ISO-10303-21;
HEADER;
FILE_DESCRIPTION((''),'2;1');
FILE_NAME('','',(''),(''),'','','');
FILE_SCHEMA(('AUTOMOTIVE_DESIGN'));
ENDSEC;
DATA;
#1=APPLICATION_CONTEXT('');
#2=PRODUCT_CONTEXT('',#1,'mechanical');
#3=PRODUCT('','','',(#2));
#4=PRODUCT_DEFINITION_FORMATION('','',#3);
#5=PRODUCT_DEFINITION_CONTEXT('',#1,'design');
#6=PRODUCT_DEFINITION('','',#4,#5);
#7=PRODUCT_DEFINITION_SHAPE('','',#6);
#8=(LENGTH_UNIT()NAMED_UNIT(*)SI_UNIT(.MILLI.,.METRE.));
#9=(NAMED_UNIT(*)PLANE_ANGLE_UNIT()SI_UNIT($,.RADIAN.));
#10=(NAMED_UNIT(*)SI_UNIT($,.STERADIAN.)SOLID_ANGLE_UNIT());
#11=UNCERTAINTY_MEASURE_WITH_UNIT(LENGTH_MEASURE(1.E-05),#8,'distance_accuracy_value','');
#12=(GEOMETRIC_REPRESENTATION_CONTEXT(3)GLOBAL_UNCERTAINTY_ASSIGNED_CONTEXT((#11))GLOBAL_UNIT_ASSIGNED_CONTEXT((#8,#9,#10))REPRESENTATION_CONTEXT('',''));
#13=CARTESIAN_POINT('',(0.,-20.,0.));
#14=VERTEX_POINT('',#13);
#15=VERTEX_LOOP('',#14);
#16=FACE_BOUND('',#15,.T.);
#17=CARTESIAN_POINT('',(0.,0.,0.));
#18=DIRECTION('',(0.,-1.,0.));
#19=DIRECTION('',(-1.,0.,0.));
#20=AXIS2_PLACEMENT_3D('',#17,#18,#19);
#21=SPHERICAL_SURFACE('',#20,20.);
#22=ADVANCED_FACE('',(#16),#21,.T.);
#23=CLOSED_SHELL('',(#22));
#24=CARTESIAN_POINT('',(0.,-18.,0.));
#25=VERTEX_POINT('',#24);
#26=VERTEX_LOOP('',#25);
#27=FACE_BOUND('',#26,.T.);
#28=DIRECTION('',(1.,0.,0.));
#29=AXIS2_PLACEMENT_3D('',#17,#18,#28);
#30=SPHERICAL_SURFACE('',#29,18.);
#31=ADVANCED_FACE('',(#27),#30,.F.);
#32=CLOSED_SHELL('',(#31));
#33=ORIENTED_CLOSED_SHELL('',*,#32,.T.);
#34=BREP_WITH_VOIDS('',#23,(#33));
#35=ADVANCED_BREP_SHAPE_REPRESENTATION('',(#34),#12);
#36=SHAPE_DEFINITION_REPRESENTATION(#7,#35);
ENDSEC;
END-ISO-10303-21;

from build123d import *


with BuildPart() as part:
    # 草图1 → 旋转4 (revolve)
    with BuildSketch(Plane.XY):
        with BuildLine():
            Line((0, 20), (0, 18))
            ThreePointArc((0, 18), (18, 0), (0, -18))
            Line((0, -18), (0, -20))
            ThreePointArc((0, -20), (20, 0), (0, 20))
        make_face()
    revolve(axis=Axis((0, -1000, 0), (0, 1, 0)))


solid = part.part
